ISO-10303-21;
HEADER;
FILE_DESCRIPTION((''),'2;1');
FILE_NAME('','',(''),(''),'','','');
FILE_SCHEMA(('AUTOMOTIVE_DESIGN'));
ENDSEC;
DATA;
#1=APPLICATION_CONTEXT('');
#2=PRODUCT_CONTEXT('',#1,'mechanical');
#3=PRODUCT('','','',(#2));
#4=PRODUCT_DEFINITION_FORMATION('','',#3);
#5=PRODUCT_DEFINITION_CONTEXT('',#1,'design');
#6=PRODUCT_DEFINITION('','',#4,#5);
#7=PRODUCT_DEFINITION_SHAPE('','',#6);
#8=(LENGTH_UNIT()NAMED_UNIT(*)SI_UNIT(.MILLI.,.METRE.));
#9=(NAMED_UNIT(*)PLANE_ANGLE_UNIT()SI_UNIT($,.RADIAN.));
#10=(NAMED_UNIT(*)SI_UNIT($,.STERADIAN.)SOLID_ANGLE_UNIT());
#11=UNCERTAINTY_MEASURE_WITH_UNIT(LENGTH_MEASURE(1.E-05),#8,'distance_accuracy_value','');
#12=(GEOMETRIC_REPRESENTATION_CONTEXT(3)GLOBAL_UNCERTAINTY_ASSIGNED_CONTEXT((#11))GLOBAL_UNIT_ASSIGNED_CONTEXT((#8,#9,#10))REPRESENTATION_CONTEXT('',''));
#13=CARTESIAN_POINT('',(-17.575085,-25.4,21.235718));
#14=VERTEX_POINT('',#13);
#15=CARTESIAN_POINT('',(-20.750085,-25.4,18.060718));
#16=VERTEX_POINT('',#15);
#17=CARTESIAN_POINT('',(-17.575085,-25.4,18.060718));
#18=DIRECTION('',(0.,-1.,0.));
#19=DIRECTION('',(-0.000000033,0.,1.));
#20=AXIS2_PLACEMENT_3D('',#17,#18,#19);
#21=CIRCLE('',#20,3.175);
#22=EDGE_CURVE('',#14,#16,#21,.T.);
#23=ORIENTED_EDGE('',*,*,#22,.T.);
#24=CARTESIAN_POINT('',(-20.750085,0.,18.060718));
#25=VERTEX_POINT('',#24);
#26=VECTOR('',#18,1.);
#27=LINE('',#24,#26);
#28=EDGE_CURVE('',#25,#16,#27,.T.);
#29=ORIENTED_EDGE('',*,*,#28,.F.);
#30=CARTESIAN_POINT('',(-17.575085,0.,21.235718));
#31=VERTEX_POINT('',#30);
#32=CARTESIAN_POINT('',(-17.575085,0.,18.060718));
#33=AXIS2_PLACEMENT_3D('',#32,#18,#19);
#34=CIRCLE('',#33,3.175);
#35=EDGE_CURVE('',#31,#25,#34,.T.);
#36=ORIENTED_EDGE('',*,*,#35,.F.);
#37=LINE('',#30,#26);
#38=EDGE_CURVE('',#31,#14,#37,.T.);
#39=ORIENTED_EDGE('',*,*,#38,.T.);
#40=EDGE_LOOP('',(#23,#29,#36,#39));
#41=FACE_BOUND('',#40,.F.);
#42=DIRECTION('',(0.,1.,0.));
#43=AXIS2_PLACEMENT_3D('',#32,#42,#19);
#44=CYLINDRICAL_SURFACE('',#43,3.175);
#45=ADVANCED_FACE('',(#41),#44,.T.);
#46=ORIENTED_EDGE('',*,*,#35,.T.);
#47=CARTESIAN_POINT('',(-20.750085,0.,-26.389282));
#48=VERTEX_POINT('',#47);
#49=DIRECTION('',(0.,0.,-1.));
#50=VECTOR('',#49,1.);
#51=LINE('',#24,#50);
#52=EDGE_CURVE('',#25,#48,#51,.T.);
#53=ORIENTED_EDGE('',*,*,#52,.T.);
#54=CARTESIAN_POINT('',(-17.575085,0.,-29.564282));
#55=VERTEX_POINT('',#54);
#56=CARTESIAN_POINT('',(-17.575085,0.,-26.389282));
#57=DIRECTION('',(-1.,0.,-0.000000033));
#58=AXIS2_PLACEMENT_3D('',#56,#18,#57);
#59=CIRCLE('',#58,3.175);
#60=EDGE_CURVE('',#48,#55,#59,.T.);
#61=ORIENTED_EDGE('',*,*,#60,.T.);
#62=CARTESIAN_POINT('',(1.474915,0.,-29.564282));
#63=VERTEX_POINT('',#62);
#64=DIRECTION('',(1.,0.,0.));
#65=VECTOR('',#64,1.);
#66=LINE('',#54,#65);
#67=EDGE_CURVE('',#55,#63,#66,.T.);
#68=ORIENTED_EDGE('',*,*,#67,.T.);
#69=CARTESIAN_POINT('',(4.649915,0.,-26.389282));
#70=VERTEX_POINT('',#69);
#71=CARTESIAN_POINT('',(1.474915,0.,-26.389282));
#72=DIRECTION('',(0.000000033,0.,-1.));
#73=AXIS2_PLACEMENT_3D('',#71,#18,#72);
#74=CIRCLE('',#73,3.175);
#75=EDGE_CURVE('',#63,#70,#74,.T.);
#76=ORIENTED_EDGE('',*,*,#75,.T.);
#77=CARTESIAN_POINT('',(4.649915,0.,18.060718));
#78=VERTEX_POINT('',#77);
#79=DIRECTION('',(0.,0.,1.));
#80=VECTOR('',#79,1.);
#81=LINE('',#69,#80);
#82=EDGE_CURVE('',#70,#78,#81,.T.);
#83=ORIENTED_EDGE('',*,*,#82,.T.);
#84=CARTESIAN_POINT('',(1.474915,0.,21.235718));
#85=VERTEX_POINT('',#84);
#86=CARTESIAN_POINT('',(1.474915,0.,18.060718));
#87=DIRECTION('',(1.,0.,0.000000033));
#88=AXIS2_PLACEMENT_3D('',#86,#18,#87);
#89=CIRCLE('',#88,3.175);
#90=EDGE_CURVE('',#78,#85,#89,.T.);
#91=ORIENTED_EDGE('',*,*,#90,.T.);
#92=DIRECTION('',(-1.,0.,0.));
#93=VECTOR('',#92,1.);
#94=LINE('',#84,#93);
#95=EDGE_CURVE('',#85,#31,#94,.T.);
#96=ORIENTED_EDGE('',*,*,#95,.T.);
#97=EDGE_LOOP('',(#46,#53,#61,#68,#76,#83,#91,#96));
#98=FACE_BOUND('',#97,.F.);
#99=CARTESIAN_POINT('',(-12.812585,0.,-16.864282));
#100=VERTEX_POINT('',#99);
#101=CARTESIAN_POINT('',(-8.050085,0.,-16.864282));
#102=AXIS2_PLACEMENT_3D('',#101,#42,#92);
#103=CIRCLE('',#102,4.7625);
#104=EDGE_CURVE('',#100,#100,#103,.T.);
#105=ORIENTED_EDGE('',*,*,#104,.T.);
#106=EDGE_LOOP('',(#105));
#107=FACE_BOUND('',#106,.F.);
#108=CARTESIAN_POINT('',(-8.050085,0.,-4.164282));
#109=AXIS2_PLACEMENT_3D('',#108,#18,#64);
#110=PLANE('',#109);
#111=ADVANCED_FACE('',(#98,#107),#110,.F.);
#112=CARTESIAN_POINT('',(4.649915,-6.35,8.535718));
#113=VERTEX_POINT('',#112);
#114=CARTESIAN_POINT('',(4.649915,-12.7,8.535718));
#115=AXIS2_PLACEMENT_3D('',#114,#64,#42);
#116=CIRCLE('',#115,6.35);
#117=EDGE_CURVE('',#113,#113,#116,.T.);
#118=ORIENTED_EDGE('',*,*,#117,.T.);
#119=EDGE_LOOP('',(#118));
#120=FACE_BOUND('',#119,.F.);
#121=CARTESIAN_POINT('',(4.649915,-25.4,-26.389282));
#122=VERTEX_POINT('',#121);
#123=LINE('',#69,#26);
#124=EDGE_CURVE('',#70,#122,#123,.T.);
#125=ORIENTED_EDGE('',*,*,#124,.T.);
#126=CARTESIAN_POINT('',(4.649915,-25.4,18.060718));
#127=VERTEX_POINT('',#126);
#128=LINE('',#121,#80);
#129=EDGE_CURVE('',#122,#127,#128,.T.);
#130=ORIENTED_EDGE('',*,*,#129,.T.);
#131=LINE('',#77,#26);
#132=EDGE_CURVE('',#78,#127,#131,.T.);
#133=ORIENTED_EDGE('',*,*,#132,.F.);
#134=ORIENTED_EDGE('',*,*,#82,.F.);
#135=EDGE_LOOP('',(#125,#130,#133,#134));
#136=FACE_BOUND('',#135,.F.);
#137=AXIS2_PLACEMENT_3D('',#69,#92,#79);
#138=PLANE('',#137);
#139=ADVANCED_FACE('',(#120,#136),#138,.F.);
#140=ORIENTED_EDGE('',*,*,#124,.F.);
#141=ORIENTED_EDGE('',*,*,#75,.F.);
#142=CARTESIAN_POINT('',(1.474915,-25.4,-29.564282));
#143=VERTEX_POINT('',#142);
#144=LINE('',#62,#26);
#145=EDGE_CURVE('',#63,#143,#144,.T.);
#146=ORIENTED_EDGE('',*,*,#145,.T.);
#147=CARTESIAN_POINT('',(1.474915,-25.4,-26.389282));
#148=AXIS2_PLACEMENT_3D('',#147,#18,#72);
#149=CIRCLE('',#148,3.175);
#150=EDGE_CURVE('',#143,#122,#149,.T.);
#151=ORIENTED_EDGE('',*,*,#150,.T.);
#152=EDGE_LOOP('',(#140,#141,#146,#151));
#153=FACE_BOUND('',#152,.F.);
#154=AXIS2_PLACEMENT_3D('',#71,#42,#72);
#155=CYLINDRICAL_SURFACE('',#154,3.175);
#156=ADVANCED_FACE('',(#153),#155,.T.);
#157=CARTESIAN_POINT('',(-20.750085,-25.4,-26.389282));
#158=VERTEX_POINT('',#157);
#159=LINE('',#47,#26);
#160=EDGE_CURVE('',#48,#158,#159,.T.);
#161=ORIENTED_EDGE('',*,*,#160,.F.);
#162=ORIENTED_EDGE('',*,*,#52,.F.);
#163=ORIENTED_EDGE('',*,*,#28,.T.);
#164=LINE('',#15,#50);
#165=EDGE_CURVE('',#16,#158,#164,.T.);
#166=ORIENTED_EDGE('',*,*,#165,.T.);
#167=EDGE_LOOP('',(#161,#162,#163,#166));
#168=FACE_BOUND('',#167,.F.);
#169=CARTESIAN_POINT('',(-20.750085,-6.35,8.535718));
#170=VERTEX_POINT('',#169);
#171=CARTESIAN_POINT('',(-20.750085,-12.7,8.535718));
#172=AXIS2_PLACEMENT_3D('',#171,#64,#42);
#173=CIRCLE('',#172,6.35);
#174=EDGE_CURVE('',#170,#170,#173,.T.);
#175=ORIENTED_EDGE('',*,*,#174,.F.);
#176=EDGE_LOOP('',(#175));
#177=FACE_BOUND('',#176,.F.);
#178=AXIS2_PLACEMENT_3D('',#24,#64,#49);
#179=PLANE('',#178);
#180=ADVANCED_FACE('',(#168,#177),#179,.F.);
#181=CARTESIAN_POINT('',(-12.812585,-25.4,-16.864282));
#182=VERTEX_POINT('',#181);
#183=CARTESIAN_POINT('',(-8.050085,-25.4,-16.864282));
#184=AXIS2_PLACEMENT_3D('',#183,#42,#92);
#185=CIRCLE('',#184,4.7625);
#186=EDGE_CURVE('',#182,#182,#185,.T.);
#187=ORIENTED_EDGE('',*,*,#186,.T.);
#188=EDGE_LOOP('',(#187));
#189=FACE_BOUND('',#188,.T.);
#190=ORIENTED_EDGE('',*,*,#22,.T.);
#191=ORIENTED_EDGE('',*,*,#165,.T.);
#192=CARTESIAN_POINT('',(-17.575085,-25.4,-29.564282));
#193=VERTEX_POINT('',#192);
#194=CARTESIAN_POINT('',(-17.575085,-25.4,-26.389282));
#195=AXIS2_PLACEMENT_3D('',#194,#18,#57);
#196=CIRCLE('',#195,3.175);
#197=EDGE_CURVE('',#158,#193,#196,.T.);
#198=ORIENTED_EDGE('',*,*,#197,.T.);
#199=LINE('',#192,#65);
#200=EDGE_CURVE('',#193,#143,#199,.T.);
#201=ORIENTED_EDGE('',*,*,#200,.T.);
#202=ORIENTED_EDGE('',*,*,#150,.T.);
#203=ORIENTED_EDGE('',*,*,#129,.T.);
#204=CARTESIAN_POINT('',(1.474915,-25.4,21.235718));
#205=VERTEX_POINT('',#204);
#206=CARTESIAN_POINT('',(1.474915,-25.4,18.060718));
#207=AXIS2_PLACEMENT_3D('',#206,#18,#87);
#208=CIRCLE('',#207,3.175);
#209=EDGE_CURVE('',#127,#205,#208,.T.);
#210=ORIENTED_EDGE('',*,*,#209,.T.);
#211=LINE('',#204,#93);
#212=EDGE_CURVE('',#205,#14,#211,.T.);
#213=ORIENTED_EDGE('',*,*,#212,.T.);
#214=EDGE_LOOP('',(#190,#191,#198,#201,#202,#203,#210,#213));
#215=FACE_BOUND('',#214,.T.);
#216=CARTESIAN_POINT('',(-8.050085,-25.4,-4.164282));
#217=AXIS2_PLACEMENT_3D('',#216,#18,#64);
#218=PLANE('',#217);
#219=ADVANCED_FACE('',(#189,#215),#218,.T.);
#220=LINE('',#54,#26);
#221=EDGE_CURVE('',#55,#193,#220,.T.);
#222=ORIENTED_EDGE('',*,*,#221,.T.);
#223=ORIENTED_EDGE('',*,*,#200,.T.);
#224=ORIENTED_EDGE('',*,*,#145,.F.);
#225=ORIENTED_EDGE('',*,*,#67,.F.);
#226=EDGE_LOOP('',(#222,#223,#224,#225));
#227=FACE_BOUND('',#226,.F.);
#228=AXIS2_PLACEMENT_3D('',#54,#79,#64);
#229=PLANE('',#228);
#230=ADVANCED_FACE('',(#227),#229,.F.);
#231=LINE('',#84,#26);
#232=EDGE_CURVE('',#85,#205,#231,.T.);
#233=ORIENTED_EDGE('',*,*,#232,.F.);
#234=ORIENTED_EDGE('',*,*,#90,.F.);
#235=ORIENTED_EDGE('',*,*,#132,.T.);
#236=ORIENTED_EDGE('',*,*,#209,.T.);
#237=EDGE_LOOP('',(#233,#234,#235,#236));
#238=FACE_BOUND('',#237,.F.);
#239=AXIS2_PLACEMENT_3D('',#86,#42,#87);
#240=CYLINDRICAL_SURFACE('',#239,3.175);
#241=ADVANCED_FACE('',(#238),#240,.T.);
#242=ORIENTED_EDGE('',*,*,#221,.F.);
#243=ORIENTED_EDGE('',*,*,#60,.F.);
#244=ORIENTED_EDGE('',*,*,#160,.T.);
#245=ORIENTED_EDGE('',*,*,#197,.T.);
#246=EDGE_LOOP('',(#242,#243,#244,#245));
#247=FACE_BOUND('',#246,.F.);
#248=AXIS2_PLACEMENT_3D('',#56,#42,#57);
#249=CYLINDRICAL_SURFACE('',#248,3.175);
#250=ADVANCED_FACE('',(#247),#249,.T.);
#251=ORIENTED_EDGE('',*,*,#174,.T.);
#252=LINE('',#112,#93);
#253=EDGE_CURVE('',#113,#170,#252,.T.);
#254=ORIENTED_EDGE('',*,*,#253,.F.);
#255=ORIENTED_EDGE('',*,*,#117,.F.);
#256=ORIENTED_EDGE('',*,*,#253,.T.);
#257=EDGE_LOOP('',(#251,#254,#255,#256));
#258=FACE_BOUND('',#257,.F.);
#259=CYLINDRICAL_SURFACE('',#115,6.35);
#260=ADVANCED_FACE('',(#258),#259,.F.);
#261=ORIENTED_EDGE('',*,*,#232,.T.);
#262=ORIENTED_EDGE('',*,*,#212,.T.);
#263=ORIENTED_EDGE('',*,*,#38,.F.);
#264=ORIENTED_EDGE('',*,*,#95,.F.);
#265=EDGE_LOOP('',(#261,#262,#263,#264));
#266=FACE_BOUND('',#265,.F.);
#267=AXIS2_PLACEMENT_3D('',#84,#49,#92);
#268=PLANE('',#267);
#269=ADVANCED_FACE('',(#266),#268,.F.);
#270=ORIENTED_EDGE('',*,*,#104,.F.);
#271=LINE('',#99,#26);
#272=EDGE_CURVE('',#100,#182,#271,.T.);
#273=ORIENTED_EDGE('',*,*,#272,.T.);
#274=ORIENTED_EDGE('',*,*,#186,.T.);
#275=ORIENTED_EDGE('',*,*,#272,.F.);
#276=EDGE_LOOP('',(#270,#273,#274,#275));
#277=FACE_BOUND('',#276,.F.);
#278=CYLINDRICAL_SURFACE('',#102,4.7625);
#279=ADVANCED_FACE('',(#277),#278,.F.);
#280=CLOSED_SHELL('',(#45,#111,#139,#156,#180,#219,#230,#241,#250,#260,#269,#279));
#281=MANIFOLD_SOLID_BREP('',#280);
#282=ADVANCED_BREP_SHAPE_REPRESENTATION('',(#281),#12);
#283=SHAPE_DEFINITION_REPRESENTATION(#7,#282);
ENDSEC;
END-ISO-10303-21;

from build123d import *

# Parameters (mm, degrees)
F1_DEPTH = 25.4
F2_R     = 6.35
F3_DEPTH = 25.4
F4_R     = 4.7625
F5_DEPTH = 25.4


with BuildPart() as f1:
    # F0 (on Front) → F1 (new body)
    with BuildSketch(Plane.XZ):
        with BuildLine():
            ThreePointArc((-20.750085, -26.389282), (-19.820149, -28.634346), (-17.575085, -29.564282))
            Line((-17.575085, -29.564282), (1.474915, -29.564282))
            ThreePointArc((1.474915, -29.564282), (3.719979, -28.634346), (4.649915, -26.389282))
            Line((4.649915, -26.389282), (4.649915, 18.060718))
            ThreePointArc((4.649915, 18.060718), (3.719979, 20.305782), (1.474915, 21.235718))
            Line((1.474915, 21.235718), (-17.575085, 21.235718))
            ThreePointArc((-17.575085, 21.235718), (-19.820149, 20.305782), (-20.750085, 18.060718))
            Line((-20.750085, 18.060718), (-20.750085, -26.389282))
        make_face()
    extrude(amount=F1_DEPTH)

    # F2 (on face) → F3 (cut)
    with BuildSketch(Plane.YZ.offset(4.649915)):
        with Locations((-12.7, 8.535718)):
            Circle(F2_R)
    extrude(amount=-F3_DEPTH, mode=Mode.SUBTRACT)

    # F4 (on face) → F5 (cut)
    with BuildSketch(Plane(origin=(0, 0, 0), x_dir=(-1, 0, 0), z_dir=(0, 1, 0))):
        with Locations((8.050085, -16.864282)):
            Circle(F4_R)
    extrude(amount=-F5_DEPTH, mode=Mode.SUBTRACT)


solid = f1.part
